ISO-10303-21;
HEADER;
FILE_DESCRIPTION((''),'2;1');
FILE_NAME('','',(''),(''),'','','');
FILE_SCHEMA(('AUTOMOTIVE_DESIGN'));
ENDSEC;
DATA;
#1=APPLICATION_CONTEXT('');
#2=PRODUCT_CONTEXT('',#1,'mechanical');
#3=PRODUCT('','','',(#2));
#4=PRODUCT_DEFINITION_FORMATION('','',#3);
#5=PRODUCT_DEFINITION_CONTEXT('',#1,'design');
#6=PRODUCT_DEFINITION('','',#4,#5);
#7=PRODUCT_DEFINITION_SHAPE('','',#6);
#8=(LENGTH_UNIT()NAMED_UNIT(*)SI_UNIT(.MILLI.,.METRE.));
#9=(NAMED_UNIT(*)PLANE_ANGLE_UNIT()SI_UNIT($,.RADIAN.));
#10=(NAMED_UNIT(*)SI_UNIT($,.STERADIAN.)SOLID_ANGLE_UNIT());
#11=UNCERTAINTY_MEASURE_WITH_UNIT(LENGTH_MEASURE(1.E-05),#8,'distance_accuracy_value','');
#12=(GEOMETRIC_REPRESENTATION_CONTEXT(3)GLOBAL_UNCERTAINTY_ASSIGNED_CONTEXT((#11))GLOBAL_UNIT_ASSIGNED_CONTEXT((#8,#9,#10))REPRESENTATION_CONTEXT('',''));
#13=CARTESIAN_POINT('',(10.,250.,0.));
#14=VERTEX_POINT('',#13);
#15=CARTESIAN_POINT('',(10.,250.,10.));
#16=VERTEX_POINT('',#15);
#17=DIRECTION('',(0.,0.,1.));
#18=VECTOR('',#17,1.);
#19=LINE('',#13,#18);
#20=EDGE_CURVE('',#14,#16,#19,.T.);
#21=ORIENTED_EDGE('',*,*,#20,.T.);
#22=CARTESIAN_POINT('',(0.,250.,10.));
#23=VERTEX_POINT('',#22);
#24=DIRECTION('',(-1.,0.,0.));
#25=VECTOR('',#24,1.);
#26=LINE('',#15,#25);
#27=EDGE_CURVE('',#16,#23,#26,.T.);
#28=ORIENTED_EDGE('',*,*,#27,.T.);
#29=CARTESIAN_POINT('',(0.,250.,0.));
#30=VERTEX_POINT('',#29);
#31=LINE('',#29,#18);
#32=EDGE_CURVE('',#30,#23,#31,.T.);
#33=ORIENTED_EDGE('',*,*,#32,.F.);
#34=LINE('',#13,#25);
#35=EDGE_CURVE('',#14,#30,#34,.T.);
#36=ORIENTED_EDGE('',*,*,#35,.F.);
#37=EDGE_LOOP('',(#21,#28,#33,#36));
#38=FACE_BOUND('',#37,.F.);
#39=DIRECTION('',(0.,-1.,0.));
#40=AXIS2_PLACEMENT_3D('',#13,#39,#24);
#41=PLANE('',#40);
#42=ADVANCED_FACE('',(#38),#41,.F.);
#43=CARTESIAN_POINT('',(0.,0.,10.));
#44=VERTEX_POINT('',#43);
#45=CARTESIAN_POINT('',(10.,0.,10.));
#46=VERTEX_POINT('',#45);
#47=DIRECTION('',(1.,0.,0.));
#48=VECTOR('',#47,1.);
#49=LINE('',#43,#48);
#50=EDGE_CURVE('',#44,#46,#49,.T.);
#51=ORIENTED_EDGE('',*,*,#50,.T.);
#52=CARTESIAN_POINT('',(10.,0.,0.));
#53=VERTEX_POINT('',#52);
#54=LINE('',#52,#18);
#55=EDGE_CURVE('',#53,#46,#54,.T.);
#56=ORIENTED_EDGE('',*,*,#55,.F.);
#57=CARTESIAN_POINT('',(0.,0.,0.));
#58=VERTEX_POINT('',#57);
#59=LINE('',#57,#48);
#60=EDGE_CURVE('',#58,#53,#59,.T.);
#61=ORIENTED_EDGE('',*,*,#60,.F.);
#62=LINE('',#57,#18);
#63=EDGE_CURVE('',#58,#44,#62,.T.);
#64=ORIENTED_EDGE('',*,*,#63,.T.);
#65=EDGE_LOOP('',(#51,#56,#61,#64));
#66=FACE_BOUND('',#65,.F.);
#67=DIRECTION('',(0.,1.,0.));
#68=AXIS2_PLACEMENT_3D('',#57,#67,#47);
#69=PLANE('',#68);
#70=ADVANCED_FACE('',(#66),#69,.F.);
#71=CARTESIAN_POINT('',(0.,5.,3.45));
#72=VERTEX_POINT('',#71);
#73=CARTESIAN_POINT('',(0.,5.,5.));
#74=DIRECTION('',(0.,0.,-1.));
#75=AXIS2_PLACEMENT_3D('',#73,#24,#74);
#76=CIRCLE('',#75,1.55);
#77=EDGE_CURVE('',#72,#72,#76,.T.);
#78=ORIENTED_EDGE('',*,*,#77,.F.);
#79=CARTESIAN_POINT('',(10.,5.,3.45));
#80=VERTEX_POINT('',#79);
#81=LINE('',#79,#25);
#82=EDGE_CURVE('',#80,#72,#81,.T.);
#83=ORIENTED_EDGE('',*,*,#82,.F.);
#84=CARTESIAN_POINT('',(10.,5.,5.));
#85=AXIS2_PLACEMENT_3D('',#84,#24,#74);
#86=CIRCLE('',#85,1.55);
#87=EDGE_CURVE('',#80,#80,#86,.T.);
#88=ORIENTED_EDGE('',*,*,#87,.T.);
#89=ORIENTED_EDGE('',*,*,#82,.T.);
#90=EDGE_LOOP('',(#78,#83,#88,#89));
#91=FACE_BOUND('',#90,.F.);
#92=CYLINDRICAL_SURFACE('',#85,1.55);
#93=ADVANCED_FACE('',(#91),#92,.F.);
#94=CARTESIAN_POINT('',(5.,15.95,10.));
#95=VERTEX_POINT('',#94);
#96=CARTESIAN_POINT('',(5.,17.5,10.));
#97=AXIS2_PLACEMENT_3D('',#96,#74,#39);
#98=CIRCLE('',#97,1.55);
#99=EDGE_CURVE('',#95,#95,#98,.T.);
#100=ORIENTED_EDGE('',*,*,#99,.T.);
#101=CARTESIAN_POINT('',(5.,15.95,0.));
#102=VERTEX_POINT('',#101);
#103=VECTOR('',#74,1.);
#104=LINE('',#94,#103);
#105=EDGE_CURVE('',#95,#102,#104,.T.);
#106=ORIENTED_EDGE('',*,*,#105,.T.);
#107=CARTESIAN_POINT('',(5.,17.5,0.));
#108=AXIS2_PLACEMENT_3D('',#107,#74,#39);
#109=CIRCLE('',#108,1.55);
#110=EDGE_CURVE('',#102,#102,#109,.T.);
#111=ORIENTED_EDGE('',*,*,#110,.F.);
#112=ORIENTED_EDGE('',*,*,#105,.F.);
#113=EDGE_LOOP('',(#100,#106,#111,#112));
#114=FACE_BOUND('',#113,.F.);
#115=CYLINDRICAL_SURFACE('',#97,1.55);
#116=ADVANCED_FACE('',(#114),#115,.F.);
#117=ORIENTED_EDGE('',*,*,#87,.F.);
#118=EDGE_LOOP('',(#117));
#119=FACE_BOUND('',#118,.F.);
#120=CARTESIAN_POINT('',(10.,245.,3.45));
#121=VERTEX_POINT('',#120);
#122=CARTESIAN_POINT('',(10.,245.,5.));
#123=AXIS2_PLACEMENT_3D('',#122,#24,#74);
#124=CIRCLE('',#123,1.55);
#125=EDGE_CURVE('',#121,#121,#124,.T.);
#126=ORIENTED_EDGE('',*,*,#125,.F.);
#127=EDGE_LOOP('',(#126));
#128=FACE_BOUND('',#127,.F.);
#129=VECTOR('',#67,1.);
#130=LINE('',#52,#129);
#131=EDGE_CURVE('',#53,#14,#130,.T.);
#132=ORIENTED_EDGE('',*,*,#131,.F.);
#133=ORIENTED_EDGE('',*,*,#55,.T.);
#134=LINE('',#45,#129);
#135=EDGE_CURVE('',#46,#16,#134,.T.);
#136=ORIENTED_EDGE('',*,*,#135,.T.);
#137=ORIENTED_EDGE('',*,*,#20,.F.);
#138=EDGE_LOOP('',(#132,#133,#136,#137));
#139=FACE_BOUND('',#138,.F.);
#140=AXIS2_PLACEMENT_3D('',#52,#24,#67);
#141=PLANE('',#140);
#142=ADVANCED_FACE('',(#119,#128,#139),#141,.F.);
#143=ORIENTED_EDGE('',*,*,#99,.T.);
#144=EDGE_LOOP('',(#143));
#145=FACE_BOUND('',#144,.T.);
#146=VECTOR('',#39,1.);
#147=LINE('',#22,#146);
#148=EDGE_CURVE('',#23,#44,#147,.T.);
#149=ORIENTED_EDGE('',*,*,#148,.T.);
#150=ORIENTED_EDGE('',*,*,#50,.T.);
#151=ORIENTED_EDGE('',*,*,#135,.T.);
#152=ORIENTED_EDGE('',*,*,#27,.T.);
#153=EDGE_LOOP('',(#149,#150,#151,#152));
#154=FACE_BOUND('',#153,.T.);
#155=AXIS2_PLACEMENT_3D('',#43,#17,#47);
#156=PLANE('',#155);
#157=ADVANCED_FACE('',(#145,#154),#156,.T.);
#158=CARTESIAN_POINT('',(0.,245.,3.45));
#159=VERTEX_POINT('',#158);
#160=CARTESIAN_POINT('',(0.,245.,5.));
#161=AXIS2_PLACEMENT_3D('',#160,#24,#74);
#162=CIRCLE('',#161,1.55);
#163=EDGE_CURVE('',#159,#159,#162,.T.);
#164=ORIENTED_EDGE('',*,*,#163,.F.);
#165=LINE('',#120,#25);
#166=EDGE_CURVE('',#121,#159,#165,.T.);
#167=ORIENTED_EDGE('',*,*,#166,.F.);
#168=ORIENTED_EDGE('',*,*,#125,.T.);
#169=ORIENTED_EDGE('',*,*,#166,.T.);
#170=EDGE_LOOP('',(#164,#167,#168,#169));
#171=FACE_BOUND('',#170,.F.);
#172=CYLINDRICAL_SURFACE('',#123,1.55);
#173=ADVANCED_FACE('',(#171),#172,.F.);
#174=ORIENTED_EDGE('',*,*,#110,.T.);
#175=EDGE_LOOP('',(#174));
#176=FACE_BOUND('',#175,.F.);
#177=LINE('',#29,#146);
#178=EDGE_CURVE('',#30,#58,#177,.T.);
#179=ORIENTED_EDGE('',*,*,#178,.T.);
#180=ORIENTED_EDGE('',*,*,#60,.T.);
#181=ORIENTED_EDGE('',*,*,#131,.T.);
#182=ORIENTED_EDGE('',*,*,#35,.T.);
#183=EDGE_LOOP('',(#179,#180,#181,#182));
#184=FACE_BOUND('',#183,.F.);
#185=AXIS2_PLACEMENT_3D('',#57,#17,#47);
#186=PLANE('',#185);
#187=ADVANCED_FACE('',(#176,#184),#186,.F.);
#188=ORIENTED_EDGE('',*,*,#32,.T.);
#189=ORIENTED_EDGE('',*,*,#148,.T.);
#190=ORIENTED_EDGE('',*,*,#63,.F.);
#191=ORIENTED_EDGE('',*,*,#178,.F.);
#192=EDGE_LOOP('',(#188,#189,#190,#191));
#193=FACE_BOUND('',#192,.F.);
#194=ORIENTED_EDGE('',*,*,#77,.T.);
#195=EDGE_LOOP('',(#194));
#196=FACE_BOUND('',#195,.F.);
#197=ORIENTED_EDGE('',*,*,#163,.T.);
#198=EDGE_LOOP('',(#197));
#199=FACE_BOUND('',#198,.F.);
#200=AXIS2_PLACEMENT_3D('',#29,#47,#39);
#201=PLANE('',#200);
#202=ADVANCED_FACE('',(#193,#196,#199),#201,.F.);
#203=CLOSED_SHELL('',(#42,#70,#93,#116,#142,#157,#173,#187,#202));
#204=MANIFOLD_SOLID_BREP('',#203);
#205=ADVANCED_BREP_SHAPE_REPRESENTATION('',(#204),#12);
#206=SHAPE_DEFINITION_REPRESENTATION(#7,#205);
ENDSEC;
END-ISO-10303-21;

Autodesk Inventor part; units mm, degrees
ref_plane "YZ Plane" through (0, 0, 0) normal (1, 0, 0) x (0, 1, 0)
ref_plane "XZ Plane" through (0, 0, 0) normal (0, 1, 0) x (-1, 0, 0)
ref_plane "XY Plane" through (0, 0, 0) normal (0, 0, 1) x (1, 0, 0)
sketch "スケッチ1" plane through (0, 0, 0) normal (0, 0, 1) x (1, 0, 0)
  line L0 (0, 0) -> (10, 0)
  line L1 (10, 0) -> (10, 250)
  line L2 (10, 250) -> (0, 250)
  line L3 (0, 250) -> (0, 0)
  dimension "d0" = 10
  dimension "d1" = 250
extrude "押し出し1" add sketch "スケッチ1" along normal blind 10
sketch "スケッチ2" plane through (10, 0, 0) normal (1, 0, 0) x (0, 0, -1)
  line L0 (0, 0) -> (-10, 0) projected
  line L1 (0, 250) -> (-10, 250) projected
  point P0 (-5, 5)
  point P1 (-5, 245)
  point P2 (-5, 0)
  point P3 (-5, 0)
  point P4 (-5, 0)
  point P5 (-5, 250)
  dimension "d4" = 5
  dimension "d5" = 5
hole "穴1" at (10, 5, 5) at (10, 245, 5) direction (-1, 0, 0) diameter 3.1 end through all
sketch "スケッチ3" plane through (0, 0, 10) normal (0, 0, 1) x (1, 0, 0)
  line L0 (0, 0) -> (10, 0) projected
  point P0 (5, 17.5)
  point P1 (5, 0)
  point P2 (5, 0)
  dimension "d13" = 17.5
hole "穴2" at (5, 17.5, 10) direction (0, 0, -1) diameter 3.1 end through all
properties part number "Tate"
